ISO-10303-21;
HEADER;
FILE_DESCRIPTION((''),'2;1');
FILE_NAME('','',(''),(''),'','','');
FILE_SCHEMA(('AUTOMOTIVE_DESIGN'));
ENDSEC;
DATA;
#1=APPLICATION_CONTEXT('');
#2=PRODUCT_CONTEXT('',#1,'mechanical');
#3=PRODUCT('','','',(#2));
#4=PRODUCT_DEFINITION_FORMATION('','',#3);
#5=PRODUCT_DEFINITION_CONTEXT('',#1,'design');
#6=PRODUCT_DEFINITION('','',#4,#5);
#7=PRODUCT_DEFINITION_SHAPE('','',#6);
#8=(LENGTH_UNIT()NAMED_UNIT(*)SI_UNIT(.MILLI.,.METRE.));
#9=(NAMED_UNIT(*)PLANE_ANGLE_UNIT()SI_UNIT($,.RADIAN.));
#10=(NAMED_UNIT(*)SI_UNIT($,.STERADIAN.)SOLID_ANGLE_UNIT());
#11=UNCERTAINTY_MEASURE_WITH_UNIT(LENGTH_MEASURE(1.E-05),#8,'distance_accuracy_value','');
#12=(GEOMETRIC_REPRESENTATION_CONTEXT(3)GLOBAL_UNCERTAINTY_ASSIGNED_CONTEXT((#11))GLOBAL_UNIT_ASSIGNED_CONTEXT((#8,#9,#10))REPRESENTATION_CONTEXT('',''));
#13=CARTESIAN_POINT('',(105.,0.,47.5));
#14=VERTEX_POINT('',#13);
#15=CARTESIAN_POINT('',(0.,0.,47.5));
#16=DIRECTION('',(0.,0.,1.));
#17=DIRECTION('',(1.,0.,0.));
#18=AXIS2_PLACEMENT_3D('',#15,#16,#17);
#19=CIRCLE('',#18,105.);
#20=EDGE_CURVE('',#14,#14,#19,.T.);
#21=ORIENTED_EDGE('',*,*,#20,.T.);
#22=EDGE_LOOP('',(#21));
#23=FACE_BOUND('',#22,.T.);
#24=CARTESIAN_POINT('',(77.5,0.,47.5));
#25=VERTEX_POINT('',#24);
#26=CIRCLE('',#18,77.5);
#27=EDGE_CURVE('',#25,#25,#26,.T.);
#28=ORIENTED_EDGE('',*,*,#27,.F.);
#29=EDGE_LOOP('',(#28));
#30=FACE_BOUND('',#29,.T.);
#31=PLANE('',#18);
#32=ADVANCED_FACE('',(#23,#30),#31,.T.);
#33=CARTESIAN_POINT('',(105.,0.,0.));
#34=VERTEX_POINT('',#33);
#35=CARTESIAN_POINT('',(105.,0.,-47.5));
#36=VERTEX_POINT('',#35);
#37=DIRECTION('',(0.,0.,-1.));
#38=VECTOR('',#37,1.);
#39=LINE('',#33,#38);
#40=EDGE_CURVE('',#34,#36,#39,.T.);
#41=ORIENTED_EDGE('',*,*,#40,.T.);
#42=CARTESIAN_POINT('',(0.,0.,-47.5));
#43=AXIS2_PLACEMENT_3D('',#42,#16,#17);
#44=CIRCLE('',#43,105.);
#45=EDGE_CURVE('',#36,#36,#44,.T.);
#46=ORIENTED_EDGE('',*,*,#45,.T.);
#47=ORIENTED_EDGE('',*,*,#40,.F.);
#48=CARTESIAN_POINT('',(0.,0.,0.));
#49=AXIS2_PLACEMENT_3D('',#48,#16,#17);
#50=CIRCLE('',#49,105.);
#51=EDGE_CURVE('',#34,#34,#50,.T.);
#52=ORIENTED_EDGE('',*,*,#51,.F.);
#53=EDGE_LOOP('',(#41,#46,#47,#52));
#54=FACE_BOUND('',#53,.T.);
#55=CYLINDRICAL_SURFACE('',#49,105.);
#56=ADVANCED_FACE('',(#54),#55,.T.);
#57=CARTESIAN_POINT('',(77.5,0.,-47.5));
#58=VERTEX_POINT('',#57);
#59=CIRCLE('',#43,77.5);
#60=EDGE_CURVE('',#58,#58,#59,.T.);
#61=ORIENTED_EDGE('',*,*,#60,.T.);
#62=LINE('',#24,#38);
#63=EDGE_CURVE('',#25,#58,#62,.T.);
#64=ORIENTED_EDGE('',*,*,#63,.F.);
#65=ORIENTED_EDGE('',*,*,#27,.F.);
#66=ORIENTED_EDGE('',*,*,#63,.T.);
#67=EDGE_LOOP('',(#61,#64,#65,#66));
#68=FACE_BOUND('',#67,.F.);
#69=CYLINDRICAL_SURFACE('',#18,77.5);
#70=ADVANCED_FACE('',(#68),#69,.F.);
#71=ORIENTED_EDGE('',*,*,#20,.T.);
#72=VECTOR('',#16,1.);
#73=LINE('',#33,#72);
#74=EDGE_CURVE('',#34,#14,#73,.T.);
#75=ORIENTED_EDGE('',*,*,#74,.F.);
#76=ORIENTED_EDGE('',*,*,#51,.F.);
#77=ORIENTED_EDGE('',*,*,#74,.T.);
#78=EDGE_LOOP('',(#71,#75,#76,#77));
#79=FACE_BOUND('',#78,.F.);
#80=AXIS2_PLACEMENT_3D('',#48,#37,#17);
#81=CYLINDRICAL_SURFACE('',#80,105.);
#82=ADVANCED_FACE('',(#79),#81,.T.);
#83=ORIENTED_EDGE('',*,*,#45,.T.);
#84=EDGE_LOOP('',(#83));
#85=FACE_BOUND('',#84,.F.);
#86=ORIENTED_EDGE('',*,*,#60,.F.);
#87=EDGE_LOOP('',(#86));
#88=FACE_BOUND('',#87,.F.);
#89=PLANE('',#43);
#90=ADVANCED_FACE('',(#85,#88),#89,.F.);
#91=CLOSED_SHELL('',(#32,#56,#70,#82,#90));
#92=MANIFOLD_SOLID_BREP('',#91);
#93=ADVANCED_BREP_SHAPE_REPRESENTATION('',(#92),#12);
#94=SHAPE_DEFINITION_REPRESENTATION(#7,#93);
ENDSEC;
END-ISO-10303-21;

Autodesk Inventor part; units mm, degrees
ref_plane "YZ Plane" through (0, 0, 0) normal (1, 0, 0) x (0, 1, 0)
ref_plane "XZ Plane" through (0, 0, 0) normal (0, 1, 0) x (-1, 0, 0)
ref_plane "XY Plane" through (0, 0, 0) normal (0, 0, 1) x (1, 0, 0)
sketch "Sketch1" plane through (0, 0, 0) normal (0, 0, 1) x (1, 0, 0)
  circle A0 centre (0, 0) radius 105
  dimension "d0" = 210
extrude "Extrusion1" add sketch "Sketch1" along normal mid plane 95
sketch "Sketch2" plane through (0, 0, 47.5) normal (0, 0, 1) x (1, 0, 0)
  circle A0 centre (0, 0) radius 77.5
  dimension "d3" = 155
extrude "Extrusion2" cut sketch "Sketch2" against normal through all
properties part number "AGBL04"
